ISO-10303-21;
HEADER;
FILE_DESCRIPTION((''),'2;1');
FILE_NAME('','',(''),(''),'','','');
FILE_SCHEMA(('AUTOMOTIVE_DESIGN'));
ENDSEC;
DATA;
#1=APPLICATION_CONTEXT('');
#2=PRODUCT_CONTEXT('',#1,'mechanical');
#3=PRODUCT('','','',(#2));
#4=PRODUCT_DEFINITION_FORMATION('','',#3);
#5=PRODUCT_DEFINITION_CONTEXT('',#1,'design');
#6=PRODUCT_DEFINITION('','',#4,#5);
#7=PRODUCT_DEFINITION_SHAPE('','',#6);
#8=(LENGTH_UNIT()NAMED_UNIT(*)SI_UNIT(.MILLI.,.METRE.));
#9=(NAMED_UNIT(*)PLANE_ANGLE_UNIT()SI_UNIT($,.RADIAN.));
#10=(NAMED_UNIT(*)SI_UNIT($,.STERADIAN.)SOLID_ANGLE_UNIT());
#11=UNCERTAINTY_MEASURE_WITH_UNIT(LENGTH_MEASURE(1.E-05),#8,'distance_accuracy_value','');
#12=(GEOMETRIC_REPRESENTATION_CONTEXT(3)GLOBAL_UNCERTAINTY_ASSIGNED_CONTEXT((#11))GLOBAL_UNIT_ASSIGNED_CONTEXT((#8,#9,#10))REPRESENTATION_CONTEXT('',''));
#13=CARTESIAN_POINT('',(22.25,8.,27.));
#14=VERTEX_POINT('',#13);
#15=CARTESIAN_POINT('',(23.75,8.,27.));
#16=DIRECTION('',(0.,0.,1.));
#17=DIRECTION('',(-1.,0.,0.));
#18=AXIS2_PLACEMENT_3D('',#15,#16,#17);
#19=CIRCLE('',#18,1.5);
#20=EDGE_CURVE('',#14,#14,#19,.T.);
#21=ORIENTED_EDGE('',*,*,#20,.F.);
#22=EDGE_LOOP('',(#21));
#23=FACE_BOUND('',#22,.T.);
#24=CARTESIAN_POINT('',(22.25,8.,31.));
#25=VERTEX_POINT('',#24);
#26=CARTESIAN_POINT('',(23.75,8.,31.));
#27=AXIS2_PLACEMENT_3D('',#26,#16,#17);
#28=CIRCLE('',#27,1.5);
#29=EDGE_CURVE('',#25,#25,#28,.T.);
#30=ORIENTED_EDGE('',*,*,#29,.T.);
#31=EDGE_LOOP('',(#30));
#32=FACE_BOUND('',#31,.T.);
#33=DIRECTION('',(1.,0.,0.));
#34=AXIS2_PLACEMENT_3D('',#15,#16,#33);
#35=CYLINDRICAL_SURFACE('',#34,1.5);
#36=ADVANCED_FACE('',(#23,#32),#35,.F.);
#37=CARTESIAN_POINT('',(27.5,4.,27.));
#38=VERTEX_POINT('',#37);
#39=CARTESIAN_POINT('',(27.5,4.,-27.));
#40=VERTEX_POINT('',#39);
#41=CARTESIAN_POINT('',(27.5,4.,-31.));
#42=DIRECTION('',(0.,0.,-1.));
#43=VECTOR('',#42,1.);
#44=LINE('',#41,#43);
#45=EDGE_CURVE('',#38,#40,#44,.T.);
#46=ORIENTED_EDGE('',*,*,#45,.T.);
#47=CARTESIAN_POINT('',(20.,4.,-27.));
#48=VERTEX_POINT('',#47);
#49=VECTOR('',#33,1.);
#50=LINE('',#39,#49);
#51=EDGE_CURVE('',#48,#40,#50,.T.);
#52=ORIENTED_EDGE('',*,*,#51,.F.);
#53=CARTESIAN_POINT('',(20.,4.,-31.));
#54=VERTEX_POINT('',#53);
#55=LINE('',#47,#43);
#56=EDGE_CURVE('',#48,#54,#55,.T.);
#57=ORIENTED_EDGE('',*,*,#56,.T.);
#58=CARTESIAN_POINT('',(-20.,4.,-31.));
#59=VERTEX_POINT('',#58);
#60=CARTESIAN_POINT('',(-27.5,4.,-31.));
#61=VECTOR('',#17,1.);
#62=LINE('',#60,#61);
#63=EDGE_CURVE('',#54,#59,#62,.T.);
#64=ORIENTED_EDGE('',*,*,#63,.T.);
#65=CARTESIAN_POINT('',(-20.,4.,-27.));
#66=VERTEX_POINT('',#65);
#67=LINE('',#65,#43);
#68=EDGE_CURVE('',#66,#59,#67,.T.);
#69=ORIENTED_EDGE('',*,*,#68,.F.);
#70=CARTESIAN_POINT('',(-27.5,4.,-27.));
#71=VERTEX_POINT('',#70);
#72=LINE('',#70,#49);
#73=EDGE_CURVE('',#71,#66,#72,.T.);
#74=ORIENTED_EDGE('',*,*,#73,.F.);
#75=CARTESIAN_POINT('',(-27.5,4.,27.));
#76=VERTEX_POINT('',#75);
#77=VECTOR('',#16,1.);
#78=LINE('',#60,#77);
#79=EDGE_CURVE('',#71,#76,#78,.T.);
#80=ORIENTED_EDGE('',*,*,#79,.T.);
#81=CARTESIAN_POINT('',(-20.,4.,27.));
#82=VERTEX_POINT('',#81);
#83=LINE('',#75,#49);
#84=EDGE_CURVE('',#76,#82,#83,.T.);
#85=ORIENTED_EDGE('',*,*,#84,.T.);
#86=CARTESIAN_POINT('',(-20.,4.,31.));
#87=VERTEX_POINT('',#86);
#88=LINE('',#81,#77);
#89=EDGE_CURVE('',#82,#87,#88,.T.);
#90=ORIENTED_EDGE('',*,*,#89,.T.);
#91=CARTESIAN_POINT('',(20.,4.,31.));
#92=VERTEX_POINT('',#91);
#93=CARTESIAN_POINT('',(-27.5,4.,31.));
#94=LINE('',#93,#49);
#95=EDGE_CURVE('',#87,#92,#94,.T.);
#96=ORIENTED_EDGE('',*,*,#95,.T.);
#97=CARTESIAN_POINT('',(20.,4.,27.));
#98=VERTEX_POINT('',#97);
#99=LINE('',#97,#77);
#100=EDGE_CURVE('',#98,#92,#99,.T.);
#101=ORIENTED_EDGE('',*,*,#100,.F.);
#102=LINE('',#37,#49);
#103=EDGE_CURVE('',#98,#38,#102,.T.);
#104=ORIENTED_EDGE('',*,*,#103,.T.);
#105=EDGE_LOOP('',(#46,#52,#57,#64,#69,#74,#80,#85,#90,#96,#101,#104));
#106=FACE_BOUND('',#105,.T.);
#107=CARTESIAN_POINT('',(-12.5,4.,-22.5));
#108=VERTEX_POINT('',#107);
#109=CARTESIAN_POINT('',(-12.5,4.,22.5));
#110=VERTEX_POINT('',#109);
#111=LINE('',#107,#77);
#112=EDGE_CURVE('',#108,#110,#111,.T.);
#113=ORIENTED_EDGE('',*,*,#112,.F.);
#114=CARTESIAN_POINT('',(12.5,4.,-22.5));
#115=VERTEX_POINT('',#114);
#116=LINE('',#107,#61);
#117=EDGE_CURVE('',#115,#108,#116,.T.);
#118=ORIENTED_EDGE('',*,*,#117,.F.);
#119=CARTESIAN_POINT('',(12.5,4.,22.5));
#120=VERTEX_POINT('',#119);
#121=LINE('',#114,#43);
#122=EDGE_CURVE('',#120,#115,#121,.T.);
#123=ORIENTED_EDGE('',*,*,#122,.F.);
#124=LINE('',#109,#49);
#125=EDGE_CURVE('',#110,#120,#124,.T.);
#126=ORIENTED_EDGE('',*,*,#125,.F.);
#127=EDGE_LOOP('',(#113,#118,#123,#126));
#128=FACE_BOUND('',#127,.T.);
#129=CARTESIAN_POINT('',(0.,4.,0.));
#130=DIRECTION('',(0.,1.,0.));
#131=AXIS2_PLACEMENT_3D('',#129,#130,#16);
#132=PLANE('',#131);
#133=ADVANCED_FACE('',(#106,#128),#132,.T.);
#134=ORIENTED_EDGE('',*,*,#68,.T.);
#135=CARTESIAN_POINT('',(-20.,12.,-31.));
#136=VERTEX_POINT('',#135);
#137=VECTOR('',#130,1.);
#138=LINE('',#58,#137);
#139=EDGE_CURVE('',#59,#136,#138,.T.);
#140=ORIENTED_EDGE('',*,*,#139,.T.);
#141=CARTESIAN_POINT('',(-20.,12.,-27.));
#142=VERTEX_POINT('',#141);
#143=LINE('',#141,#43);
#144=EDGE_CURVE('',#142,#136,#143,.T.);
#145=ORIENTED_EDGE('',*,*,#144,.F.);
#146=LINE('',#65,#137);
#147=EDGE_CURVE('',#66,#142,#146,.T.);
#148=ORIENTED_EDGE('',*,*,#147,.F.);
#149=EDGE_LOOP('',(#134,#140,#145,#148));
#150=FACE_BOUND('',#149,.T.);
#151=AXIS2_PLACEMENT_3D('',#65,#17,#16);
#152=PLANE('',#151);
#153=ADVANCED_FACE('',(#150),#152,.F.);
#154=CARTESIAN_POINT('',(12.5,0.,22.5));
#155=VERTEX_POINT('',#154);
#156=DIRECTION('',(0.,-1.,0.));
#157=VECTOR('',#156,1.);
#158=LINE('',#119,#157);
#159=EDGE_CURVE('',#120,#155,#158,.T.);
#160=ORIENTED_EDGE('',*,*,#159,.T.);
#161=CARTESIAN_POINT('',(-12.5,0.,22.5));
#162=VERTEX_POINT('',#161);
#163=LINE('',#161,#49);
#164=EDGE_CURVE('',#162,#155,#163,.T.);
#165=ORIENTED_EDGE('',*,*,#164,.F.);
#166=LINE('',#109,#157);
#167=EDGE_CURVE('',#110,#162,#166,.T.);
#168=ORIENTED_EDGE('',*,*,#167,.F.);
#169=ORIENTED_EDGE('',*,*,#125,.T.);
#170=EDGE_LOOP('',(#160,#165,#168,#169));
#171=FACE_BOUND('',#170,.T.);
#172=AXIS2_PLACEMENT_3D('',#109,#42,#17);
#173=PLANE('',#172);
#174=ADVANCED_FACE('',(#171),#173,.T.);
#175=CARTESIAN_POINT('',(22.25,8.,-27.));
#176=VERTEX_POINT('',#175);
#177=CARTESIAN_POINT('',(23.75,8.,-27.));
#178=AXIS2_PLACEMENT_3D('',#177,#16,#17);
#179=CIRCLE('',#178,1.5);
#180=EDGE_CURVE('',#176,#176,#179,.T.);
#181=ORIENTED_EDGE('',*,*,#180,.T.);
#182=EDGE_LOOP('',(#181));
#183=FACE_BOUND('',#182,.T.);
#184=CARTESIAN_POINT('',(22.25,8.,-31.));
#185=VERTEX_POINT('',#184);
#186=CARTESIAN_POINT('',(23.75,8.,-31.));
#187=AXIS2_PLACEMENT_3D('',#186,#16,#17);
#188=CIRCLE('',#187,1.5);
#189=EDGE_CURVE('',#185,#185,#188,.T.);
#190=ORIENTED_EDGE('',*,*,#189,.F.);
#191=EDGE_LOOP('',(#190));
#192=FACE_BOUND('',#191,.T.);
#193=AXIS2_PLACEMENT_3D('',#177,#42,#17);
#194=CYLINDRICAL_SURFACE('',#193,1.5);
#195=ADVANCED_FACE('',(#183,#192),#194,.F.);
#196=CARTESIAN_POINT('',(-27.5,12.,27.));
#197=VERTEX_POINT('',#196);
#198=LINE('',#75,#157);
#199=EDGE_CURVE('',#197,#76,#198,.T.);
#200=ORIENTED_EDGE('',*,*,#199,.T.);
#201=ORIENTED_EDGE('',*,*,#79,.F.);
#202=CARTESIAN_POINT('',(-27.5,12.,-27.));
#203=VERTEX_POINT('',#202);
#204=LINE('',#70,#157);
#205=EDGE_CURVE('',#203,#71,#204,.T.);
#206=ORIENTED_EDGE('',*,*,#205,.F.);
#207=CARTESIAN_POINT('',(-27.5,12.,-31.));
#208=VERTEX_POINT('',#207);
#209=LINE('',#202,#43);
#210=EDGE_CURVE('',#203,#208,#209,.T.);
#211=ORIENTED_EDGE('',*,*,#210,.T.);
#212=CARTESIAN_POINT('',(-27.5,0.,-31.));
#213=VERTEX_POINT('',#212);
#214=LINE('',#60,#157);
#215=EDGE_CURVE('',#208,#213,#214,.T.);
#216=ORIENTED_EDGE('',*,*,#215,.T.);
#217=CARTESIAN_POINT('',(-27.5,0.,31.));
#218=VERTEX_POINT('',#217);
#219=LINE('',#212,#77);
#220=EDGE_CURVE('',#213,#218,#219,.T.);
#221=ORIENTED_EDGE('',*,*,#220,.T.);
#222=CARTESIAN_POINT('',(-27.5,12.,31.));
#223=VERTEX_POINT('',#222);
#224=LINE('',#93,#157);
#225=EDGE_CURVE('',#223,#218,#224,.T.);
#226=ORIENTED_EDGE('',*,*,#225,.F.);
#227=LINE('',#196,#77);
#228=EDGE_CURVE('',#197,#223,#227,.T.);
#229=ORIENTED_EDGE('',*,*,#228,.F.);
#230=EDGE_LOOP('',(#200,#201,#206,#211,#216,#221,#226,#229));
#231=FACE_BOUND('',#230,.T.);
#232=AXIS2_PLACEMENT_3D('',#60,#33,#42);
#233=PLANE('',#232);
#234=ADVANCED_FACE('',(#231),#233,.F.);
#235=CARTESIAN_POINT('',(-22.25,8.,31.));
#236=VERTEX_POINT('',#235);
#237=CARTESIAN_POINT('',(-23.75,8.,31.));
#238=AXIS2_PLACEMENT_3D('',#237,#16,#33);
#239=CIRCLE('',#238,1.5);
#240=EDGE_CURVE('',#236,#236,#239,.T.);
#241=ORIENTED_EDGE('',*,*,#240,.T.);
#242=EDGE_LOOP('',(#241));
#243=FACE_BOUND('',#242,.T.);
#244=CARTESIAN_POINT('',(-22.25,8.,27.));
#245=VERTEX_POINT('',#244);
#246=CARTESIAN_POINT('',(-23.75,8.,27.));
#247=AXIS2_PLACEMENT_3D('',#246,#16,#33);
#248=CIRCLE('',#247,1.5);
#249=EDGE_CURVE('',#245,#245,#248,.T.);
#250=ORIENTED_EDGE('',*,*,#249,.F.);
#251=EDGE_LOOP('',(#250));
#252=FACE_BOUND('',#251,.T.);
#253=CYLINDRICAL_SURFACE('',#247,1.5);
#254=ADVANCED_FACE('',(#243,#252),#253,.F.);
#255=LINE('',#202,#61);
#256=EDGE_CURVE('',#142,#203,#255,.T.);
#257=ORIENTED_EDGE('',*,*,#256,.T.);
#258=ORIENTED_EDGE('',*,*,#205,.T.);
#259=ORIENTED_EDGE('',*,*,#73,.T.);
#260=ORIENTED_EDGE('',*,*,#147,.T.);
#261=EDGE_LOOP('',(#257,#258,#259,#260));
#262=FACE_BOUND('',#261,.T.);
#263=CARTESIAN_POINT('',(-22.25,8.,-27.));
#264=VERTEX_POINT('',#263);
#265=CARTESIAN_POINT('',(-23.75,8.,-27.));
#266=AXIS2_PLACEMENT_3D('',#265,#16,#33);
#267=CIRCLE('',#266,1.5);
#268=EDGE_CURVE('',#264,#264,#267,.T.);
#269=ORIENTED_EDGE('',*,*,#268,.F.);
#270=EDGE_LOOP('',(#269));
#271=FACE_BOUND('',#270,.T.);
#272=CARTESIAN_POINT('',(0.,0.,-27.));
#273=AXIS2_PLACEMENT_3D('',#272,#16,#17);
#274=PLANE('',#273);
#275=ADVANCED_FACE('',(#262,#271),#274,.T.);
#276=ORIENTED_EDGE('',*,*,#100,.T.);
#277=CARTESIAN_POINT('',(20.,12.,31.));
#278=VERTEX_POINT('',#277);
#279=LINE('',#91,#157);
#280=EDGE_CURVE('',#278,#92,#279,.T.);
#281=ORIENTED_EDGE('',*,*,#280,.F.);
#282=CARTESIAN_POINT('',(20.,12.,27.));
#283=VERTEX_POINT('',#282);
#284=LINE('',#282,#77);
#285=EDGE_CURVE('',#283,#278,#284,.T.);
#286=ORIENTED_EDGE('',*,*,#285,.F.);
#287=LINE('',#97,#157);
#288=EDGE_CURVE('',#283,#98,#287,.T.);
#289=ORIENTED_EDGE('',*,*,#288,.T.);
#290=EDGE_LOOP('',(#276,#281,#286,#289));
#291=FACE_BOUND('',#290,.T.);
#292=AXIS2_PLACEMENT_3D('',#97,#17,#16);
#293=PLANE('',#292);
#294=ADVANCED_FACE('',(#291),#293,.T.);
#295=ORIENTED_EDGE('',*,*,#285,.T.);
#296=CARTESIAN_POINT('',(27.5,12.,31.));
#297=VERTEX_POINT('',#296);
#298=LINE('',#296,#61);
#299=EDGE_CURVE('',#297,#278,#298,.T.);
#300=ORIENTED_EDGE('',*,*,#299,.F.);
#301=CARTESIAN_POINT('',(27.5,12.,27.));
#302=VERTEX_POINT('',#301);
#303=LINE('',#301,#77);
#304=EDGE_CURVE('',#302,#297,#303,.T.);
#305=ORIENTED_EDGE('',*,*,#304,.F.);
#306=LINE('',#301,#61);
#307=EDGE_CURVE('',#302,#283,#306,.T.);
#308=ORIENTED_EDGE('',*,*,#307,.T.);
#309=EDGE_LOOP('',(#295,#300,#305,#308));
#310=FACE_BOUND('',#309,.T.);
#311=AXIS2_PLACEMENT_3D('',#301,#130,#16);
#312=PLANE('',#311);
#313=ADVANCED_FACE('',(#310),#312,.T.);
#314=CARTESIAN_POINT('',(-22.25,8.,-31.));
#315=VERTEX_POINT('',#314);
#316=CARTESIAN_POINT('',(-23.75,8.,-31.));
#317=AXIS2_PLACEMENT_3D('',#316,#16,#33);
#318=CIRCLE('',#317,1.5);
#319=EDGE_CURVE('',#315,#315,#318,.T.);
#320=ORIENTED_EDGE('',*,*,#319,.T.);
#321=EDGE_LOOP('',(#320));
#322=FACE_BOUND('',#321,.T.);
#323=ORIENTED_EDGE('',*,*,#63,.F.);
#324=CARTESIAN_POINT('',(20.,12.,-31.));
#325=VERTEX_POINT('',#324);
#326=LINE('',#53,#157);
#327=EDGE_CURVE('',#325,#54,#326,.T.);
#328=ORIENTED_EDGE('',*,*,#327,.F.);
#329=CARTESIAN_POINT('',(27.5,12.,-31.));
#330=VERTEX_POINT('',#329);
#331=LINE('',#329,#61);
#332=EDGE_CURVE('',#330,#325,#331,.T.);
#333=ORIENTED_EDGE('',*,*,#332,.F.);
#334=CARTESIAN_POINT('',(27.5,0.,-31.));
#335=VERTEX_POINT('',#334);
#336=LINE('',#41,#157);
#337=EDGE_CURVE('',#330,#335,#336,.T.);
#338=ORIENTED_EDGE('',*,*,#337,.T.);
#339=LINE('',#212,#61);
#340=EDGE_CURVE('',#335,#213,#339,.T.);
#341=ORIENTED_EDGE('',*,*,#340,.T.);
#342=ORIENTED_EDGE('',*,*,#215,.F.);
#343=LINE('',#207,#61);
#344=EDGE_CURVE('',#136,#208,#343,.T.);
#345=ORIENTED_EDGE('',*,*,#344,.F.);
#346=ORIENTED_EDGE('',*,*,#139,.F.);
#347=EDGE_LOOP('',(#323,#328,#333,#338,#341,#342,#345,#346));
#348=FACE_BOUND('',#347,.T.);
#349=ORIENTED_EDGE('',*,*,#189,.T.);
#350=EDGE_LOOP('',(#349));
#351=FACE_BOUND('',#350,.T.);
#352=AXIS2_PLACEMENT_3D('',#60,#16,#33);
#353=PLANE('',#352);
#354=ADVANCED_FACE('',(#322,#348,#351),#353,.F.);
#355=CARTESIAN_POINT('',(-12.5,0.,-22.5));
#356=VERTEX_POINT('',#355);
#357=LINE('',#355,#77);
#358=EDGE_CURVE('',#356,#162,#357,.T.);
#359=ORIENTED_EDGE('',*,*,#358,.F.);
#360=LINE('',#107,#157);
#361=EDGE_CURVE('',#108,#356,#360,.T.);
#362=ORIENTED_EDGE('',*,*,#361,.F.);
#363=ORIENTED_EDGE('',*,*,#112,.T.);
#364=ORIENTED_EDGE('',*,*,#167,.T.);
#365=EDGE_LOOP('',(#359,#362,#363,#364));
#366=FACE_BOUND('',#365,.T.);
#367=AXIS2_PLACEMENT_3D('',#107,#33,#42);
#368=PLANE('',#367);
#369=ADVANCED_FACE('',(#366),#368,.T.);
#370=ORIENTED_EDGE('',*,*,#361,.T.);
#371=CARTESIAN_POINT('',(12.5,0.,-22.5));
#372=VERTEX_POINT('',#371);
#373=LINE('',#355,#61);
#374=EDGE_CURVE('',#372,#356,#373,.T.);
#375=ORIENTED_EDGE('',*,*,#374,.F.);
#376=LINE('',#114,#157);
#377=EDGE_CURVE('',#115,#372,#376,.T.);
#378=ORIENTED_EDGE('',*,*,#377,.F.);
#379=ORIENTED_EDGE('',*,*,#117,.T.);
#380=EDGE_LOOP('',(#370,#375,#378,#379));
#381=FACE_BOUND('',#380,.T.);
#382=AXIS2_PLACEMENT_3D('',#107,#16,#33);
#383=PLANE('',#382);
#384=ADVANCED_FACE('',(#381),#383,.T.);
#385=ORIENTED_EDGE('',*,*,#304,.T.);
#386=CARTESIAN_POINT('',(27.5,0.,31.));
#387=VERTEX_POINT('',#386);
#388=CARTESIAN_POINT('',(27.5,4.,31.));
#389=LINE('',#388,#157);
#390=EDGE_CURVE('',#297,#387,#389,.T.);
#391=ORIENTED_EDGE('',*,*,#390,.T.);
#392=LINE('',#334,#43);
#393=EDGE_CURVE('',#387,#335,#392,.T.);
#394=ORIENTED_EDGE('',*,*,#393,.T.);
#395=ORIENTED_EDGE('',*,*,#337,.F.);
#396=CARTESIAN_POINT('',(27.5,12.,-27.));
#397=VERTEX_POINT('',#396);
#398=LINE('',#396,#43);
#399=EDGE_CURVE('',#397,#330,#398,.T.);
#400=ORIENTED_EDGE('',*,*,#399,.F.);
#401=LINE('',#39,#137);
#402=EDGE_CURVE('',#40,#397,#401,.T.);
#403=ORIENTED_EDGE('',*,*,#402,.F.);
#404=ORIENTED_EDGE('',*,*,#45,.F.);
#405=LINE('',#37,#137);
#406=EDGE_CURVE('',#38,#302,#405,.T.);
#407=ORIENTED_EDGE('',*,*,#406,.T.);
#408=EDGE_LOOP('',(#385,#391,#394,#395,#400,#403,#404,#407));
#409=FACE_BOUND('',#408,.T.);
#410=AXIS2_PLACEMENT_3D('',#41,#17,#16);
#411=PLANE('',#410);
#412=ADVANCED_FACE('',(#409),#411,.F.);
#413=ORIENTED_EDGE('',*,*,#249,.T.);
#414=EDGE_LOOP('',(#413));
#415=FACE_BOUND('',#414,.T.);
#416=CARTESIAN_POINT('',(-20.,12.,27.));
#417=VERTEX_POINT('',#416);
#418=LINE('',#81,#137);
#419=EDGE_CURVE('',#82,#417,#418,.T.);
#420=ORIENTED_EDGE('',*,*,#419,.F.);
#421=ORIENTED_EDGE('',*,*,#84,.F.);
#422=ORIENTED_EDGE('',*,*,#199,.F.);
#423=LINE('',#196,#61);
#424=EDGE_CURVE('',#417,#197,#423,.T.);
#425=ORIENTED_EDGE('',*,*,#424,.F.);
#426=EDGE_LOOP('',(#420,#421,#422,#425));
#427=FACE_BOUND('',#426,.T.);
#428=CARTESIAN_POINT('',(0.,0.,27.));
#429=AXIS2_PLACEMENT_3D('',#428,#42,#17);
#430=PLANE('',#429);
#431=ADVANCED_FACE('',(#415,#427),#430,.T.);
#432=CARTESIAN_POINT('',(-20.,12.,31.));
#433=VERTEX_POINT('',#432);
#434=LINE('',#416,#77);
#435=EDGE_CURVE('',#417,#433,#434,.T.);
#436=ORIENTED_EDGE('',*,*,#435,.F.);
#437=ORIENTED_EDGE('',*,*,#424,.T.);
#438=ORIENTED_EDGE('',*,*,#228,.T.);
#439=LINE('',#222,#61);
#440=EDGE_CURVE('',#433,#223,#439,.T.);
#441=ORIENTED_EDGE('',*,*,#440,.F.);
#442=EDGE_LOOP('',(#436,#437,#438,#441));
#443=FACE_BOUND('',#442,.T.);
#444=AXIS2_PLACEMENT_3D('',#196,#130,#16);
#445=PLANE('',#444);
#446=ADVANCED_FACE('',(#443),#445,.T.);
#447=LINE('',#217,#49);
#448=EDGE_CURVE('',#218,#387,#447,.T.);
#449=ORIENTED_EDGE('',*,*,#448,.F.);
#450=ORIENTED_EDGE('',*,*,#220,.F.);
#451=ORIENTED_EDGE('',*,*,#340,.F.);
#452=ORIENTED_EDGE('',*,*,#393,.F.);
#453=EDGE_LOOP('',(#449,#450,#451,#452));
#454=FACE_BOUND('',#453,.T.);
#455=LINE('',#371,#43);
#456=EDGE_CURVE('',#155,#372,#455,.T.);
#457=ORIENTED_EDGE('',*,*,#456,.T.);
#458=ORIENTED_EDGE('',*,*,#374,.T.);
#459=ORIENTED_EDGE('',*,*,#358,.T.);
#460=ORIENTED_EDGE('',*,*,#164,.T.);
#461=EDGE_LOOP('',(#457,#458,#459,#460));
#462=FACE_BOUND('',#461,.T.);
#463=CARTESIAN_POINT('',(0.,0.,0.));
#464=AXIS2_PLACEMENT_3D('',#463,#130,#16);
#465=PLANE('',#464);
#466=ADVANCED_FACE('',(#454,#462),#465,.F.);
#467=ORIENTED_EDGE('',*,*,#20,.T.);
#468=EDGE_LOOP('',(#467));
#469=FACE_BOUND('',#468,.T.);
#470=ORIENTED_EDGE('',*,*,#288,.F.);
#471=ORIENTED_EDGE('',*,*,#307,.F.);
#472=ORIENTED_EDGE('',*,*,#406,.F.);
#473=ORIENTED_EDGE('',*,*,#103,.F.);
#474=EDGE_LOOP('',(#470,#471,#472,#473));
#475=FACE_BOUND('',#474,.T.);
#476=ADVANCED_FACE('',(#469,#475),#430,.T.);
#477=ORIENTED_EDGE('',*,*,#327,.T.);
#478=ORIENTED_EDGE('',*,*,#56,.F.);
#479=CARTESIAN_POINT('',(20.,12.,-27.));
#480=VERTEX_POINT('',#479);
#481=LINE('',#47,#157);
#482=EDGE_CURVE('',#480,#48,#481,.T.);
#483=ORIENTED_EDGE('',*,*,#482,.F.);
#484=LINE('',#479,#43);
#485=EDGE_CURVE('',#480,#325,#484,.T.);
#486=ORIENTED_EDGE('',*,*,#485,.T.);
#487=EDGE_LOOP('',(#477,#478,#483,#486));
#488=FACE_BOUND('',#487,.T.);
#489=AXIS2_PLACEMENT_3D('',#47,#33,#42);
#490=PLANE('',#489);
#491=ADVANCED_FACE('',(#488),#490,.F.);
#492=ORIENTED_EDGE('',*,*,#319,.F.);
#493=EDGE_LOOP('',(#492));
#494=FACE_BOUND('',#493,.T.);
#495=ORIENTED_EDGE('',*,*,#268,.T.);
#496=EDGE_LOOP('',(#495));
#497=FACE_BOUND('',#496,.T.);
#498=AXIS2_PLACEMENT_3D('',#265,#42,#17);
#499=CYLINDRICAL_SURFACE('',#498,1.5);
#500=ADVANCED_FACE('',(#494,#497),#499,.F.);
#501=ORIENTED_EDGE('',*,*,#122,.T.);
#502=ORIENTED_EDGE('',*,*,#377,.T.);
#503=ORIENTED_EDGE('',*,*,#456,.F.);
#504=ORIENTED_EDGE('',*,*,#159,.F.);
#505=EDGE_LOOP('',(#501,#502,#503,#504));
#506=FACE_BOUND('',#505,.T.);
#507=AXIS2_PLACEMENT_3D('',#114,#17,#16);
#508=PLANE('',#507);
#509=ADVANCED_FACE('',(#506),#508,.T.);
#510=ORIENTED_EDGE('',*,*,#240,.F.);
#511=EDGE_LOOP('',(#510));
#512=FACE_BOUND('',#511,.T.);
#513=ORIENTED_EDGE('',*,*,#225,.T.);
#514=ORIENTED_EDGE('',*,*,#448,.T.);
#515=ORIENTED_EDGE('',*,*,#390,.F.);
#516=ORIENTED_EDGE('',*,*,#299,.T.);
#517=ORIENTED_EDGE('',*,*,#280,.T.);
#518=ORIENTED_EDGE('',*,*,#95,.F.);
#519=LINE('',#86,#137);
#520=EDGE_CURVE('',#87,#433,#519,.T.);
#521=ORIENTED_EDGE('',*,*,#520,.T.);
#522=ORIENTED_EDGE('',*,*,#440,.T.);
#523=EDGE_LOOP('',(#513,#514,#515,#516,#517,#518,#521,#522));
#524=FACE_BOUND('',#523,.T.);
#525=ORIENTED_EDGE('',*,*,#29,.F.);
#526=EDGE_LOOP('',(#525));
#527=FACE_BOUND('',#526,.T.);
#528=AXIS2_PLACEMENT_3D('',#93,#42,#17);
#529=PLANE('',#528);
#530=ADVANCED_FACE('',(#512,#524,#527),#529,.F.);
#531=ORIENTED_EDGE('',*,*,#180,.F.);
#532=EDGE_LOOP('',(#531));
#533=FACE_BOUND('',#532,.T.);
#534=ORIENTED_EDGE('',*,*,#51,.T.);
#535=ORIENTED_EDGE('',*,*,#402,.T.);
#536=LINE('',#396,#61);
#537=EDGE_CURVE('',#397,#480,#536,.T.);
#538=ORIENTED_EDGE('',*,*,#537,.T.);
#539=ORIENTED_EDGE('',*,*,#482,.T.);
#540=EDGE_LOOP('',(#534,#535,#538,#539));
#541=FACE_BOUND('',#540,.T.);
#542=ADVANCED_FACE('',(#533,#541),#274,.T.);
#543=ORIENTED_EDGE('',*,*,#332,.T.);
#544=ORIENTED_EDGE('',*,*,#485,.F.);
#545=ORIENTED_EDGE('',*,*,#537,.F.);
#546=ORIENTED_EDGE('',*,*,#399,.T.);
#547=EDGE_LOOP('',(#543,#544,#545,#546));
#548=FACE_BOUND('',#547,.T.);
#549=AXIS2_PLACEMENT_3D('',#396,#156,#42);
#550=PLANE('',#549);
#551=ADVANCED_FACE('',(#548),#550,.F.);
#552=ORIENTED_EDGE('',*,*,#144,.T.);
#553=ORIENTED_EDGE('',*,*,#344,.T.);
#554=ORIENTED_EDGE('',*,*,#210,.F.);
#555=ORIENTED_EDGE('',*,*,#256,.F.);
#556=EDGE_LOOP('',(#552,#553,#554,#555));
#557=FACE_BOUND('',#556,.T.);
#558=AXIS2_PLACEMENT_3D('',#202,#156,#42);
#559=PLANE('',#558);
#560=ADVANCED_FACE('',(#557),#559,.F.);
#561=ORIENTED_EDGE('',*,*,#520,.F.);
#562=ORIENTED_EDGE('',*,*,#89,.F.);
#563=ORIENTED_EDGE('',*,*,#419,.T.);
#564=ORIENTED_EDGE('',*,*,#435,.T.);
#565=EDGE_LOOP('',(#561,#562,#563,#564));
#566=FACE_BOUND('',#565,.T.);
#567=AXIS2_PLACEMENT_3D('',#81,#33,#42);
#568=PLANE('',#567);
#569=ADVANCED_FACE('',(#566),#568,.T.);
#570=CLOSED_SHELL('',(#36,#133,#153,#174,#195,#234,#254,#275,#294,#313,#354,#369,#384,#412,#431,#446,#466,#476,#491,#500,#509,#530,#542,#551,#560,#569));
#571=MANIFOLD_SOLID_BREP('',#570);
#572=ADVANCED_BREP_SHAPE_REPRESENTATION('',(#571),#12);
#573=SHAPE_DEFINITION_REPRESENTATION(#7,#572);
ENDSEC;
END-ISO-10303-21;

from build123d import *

# Parameters (mm, degrees)
SKETCH1_W           = 55
SKETCH1_H           = 62
SKETCH1_W_2         = 25
SKETCH1_H_2         = 45
BOSS_EXTRUDE1_DEPTH = 4
SKETCH2_W           = 7.5
SKETCH2_H           = 8
SKETCH2_R           = 1.5
BOSS_EXTRUDE2_DEPTH = 4


with BuildPart() as part:
    # Sketch1 → Boss-Extrude1 (new body)
    with BuildSketch(Plane(origin=(0, 0, 0), x_dir=(1, 0, 0), z_dir=(0, 1, 0))):
        Rectangle(SKETCH1_W, SKETCH1_H)
        Rectangle(SKETCH1_W_2, SKETCH1_H_2, mode=Mode.SUBTRACT)
    extrude(amount=BOSS_EXTRUDE1_DEPTH)

    # Sketch2 → Boss-Extrude2 (add)
    # profile 1 of 2: a face of its own
    with BuildSketch(Plane.XY.offset(31)):
        with Locations((-23.75, 8)):
            Rectangle(SKETCH2_W, SKETCH2_H)
        with Locations((-23.75, 8)):
            Circle(SKETCH2_R, mode=Mode.SUBTRACT)
    # profile 2 of 2: a face of its own
    with BuildSketch(Plane.XY.offset(31)):
        with Locations((23.75, 8)):
            Rectangle(SKETCH2_W, SKETCH2_H)
        with Locations(Location((23.75, 8, 0), (0, 0, 180))):
            Circle(SKETCH2_R, mode=Mode.SUBTRACT)
    boss_extrude2 = extrude(amount=-BOSS_EXTRUDE2_DEPTH)

    # Mirror1: Boss-Extrude2 across plane
    add(boss_extrude2.mirror(Plane.XY))


solid = part.part
